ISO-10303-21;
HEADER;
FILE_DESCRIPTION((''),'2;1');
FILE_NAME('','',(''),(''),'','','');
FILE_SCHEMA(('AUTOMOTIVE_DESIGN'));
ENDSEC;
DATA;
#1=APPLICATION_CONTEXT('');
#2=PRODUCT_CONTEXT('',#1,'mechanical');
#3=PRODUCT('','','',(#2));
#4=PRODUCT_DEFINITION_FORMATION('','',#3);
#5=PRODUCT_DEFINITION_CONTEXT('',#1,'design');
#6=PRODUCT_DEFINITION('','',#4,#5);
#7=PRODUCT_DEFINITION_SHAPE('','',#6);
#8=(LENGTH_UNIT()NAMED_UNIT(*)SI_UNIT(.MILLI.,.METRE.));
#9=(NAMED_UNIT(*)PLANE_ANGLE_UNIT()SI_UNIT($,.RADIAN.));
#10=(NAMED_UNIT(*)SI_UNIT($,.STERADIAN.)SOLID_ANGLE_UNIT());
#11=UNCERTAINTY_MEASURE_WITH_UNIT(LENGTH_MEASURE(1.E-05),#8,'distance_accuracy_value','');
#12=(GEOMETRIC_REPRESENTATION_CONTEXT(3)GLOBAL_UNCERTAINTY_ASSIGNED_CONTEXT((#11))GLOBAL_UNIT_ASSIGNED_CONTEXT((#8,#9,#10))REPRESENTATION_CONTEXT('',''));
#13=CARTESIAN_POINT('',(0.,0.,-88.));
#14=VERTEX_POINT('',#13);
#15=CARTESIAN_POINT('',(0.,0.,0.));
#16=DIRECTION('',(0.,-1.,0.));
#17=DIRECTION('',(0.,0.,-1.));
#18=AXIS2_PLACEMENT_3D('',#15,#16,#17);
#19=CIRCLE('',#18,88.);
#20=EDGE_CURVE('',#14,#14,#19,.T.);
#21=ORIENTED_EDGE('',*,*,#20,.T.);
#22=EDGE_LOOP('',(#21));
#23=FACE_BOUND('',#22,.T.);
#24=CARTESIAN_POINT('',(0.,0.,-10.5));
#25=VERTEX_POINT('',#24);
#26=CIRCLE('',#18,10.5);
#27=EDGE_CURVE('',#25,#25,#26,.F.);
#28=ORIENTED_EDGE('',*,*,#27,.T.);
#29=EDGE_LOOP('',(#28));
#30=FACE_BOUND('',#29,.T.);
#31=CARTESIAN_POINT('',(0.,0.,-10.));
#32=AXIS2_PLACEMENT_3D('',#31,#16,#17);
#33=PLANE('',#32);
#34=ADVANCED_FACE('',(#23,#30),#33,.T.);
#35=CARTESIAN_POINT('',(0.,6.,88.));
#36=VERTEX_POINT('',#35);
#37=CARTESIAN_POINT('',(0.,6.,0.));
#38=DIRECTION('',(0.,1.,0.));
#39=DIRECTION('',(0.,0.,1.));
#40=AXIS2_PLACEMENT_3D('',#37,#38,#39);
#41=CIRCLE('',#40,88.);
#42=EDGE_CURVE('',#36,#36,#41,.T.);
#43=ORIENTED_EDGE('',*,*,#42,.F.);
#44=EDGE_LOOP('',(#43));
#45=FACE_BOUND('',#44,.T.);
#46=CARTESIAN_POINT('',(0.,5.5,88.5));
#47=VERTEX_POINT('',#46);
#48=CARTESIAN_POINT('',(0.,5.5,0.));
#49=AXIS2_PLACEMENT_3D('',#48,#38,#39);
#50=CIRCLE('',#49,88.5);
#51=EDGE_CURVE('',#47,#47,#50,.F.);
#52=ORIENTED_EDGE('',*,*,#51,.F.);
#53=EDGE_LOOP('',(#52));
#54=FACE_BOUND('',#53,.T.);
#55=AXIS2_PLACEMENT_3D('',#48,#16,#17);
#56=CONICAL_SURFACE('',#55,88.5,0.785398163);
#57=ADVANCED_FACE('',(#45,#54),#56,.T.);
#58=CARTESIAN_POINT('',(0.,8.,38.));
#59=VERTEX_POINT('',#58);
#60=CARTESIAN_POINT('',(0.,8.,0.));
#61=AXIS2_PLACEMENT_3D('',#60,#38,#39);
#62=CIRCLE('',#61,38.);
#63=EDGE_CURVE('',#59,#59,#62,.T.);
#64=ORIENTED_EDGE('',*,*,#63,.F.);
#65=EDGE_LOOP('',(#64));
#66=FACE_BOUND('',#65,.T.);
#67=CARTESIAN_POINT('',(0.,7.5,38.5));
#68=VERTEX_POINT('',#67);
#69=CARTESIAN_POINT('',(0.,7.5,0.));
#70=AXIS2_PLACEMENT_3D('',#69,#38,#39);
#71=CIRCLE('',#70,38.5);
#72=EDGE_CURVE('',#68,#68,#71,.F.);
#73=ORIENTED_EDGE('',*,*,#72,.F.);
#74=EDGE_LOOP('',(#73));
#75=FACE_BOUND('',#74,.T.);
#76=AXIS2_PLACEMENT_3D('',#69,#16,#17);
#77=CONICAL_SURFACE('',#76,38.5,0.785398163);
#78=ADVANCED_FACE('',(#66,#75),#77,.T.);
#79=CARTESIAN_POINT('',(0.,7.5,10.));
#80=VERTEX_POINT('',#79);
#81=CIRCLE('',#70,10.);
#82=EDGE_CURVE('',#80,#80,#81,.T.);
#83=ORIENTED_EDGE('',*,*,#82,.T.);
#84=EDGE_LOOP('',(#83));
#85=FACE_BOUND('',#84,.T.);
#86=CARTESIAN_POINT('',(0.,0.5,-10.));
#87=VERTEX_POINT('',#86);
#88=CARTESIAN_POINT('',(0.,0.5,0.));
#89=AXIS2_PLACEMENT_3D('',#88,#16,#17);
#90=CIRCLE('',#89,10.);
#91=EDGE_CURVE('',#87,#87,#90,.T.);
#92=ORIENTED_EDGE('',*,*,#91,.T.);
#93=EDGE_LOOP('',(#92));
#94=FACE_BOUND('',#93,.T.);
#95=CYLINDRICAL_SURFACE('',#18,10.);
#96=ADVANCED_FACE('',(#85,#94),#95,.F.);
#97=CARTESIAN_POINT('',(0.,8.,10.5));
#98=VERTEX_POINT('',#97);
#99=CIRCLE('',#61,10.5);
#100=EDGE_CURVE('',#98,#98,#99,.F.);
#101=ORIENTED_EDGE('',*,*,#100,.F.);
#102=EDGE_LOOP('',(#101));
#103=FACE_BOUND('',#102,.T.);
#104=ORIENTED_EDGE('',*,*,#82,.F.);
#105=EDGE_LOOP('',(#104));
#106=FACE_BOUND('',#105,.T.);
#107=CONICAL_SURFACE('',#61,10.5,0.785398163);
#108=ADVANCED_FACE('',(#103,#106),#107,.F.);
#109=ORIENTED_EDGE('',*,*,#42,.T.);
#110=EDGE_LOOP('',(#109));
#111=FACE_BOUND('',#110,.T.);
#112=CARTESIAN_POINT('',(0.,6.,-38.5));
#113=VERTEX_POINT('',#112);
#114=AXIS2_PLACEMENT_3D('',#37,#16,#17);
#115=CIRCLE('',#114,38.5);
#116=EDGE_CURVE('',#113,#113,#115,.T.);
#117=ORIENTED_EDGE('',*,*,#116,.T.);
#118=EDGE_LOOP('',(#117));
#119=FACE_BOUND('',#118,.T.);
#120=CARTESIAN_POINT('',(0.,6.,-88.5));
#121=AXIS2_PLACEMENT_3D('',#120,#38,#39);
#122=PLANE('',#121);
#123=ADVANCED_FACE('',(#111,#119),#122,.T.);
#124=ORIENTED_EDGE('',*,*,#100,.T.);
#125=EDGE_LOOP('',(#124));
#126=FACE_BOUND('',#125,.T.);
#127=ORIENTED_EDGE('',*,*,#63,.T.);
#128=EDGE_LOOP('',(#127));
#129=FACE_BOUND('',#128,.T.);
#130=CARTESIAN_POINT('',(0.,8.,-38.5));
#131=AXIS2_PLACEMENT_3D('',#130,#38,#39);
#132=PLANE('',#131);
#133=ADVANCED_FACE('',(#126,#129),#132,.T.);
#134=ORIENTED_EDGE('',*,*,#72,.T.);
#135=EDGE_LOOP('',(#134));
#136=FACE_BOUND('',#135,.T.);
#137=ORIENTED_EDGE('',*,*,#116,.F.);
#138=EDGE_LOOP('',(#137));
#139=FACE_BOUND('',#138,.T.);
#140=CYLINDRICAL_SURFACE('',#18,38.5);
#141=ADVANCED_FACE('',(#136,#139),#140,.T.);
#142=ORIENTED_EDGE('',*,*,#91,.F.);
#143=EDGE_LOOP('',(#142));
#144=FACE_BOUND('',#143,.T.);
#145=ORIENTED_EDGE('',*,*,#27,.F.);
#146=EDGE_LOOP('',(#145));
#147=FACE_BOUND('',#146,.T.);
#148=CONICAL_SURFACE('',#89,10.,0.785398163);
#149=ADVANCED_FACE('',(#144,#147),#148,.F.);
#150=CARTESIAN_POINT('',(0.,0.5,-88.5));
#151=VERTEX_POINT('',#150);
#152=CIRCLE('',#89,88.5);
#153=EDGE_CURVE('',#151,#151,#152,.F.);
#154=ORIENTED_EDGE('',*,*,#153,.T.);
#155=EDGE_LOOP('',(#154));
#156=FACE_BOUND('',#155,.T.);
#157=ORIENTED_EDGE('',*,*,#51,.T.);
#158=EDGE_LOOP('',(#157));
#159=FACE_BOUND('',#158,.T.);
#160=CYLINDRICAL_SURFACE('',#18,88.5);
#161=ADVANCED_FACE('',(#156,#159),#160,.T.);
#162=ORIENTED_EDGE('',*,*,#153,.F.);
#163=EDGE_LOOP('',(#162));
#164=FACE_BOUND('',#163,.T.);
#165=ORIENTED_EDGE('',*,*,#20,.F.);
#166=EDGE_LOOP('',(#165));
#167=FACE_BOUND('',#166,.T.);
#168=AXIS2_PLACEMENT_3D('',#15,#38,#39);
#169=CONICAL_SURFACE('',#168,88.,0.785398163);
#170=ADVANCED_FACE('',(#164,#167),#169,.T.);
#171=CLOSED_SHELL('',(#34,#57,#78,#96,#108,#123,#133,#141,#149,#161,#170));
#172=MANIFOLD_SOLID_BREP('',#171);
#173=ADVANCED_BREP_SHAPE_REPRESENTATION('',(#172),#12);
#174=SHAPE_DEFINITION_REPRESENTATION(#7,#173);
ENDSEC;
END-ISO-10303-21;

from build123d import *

# Parameters (mm, degrees)
CHAMFER_1_SIZE = 0.5


with BuildPart() as part:
    # 草图2 → 旋转1 (revolve)
    with BuildSketch(Plane(origin=(0, 0, 0), x_dir=(0, 0, -1), z_dir=(1, 0, 0))):
        Polygon((10, 0), (88.5, 0), (88.5, 6), (38.5, 6), (38.5, 8), (10, 8), align=None)
    revolve(axis=Axis((0, 0, 0), (0, 1, 0)))

    # 倒角1
    chamfer_1_edges = [part.edges().sort_by_distance(p)[0] for p in [
        (0, 0, 88.5),
        (0, 0, 10),
        (0, 8, 10),
        (0, 8, 38.5),
        (0, 6, 88.5),
    ]]
    chamfer(chamfer_1_edges, length=CHAMFER_1_SIZE)


solid = part.part
